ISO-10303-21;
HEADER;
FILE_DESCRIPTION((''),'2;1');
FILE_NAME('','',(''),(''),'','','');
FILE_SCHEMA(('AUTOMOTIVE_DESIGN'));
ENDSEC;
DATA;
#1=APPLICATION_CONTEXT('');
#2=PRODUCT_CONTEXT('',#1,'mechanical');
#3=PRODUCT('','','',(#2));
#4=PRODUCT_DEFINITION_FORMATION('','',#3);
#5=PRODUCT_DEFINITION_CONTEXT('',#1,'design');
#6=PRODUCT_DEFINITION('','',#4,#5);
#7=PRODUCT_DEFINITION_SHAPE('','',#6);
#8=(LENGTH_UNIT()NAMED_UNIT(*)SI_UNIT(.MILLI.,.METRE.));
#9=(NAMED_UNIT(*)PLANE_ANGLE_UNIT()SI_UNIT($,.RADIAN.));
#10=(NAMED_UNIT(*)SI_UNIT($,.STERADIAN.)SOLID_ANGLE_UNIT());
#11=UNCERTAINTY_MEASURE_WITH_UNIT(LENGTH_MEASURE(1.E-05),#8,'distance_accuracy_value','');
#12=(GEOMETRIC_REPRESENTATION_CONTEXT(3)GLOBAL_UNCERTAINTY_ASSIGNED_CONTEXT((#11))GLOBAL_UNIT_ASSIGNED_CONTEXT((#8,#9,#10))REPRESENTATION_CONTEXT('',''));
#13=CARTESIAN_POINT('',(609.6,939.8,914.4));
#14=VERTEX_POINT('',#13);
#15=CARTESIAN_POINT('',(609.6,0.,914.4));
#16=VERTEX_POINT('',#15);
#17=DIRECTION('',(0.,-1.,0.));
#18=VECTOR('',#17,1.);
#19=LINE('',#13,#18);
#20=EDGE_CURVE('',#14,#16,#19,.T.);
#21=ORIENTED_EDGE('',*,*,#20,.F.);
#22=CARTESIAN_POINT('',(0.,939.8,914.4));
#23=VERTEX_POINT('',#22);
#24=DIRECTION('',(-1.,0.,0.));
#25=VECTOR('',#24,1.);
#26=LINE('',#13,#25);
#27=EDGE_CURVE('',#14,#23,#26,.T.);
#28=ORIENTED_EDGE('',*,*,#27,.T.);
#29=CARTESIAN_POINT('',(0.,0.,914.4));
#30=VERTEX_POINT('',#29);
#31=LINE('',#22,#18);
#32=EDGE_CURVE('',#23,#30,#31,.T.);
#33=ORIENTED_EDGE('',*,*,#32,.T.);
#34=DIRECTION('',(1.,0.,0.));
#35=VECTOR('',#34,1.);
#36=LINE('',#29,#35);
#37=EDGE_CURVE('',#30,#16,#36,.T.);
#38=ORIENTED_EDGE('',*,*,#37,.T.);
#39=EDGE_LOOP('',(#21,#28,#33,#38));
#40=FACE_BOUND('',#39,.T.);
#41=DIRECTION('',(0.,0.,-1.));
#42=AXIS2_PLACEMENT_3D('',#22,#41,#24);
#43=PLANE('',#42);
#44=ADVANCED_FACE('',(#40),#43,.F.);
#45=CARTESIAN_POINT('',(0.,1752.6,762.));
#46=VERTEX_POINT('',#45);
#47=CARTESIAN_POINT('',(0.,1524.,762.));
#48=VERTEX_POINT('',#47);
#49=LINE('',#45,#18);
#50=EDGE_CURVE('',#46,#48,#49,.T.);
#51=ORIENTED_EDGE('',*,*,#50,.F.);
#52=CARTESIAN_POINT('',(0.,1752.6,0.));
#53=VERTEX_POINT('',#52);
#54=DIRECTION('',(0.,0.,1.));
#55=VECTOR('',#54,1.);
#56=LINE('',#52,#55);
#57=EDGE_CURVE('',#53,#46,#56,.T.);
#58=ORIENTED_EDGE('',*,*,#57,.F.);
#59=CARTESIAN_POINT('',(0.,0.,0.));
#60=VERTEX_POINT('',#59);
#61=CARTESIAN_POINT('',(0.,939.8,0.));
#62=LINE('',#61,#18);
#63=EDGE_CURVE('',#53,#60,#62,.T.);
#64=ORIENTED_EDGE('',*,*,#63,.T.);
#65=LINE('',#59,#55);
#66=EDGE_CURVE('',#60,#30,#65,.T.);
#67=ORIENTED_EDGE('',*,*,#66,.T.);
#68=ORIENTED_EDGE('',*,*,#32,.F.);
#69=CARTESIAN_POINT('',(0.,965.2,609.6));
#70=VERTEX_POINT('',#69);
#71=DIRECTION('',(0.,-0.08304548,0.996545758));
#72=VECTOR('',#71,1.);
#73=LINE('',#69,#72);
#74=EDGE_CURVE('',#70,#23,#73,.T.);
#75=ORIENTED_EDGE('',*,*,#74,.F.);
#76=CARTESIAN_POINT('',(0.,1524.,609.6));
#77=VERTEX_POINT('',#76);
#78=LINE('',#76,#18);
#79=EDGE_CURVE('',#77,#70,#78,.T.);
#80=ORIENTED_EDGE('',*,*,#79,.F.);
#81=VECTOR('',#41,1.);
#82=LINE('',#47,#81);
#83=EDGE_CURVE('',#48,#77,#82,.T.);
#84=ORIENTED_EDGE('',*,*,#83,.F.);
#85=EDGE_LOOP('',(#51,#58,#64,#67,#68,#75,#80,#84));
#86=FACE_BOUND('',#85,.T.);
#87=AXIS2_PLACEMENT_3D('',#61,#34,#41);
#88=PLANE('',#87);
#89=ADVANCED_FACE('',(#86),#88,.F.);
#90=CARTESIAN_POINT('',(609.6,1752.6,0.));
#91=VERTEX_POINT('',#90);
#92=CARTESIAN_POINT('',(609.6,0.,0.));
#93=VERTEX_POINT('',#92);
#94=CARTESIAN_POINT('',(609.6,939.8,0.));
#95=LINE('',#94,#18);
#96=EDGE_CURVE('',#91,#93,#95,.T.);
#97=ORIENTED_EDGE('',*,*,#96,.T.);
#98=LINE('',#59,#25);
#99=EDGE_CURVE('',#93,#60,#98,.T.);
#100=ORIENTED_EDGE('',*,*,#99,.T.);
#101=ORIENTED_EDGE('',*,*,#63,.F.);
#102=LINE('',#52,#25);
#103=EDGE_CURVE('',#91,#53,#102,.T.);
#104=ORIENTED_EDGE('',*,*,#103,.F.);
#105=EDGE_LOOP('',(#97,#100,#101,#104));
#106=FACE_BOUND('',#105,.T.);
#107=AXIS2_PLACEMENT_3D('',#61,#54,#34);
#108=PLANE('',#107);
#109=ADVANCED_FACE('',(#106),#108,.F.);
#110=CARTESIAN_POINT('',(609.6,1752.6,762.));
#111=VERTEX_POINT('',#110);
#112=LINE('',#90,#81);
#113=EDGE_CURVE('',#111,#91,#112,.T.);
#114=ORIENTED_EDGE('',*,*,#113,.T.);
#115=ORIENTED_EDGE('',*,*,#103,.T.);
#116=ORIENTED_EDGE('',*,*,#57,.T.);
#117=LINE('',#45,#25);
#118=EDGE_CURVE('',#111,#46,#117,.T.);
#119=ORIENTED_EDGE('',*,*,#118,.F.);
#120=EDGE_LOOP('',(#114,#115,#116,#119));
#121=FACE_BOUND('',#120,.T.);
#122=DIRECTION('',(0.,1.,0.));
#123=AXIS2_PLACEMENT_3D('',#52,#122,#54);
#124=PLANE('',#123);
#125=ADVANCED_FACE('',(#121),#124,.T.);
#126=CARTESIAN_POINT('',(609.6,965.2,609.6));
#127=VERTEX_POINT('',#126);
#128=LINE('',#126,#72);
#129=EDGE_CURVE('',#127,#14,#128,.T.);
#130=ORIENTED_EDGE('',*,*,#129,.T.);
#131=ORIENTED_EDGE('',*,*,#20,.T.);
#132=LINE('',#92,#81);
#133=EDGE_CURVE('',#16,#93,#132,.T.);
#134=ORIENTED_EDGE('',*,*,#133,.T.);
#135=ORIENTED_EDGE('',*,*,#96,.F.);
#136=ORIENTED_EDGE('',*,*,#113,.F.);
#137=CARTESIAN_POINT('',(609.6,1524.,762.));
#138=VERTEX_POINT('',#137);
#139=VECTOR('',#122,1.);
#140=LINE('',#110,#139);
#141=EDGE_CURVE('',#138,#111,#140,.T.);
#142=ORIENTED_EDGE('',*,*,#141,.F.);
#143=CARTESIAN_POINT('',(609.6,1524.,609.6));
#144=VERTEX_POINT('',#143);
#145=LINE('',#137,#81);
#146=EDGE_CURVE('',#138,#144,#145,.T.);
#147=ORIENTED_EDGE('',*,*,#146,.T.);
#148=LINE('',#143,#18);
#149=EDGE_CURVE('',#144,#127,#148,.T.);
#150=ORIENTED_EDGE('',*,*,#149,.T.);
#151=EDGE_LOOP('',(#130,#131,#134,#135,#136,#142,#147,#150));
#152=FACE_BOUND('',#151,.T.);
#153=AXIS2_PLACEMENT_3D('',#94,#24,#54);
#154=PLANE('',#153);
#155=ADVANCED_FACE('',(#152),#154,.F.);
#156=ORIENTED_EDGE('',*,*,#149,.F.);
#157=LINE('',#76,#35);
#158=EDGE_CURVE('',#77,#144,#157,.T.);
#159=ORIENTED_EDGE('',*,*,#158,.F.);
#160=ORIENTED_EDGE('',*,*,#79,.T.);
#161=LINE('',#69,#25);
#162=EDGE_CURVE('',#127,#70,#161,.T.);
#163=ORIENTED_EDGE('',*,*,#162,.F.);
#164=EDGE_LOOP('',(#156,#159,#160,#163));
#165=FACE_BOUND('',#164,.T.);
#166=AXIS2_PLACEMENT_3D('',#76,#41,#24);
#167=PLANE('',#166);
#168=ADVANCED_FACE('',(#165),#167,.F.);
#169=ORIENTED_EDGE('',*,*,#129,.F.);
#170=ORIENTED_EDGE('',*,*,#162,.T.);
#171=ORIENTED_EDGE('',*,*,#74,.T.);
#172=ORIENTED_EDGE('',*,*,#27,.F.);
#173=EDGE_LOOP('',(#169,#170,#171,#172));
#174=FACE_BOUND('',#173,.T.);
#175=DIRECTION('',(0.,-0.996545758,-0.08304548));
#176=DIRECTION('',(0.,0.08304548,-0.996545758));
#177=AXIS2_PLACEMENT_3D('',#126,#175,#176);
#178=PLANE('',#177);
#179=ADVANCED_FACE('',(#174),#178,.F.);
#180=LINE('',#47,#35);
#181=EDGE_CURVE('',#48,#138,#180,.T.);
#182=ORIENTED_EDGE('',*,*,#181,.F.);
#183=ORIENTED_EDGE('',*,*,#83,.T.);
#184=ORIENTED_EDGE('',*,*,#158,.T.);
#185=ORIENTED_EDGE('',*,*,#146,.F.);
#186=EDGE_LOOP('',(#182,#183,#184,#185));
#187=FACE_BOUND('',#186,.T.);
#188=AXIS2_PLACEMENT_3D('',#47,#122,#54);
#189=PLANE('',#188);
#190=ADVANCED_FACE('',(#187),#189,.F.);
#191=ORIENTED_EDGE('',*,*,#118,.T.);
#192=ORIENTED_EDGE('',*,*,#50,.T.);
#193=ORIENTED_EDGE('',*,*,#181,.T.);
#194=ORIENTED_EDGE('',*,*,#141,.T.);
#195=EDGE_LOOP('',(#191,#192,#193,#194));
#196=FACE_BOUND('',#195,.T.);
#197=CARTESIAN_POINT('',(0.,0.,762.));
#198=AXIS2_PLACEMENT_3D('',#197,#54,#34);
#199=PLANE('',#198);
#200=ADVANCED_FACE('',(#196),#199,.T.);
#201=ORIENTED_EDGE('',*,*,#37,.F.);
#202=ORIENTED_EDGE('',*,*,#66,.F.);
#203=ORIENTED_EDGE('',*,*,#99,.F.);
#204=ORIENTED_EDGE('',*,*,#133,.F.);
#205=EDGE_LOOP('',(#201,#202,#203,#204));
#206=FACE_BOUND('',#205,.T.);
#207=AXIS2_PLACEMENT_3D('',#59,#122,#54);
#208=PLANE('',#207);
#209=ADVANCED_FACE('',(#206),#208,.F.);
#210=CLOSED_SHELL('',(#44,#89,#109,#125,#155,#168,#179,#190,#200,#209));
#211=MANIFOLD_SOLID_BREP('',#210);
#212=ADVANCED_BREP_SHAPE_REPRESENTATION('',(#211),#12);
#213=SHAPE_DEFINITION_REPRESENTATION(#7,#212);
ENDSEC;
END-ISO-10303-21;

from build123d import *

# Parameters (mm, degrees)
SKETCH1_W           = 609.6
SKETCH1_H           = 914.4
BOSS_EXTRUDE1_DEPTH = 939.8
SKETCH2_W           = 609.6
SKETCH2_H           = 304.8
BOSS_EXTRUDE2_DEPTH = 25.4
CUT_EXTRUDE1_DEPTH  = 610.6
SKETCH4_W           = 609.6
SKETCH4_H           = 609.6
BOSS_EXTRUDE3_DEPTH = 25.4
SKETCH5_W           = 609.6
SKETCH5_H           = 609.6
BOSS_EXTRUDE4_DEPTH = 558.8
SKETCH6_W           = 609.6
SKETCH6_H           = 609.6
BOSS_EXTRUDE5_DEPTH = 228.6
SKETCH7_W           = 609.6
SKETCH7_H           = 228.6
BOSS_EXTRUDE6_DEPTH = 152.4


with BuildPart() as part:
    # Sketch1 → Boss-Extrude1 (new body)
    with BuildSketch(Plane(origin=(0, 0, 0), x_dir=(1, 0, 0), z_dir=(0, 1, 0))):
        with Locations((304.8, -457.2)):
            Rectangle(SKETCH1_W, SKETCH1_H)
    extrude(amount=BOSS_EXTRUDE1_DEPTH)

    # Sketch2 → Boss-Extrude2 (add)
    with BuildSketch(Plane(origin=(0, 939.8, 0), x_dir=(1, 0, 0), z_dir=(0, 1, 0))):
        with Locations((304.8, -762)):
            Rectangle(SKETCH2_W, SKETCH2_H)
    extrude(amount=BOSS_EXTRUDE2_DEPTH)

    # Sketch3 → Cut-Extrude1 (cut, through all)
    with BuildSketch(Plane.ZY):
        Polygon((609.6, 965.2), (914.4, 939.8), (914.4, 965.2), align=None)
    extrude(amount=-CUT_EXTRUDE1_DEPTH, mode=Mode.SUBTRACT)

    # Sketch4 → Boss-Extrude3 (add)
    with BuildSketch(Plane(origin=(0, 939.8, 0), x_dir=(1, 0, 0), z_dir=(0, 1, 0))):
        with Locations((304.8, -304.8)):
            Rectangle(SKETCH4_W, SKETCH4_H)
    extrude(amount=BOSS_EXTRUDE3_DEPTH)

    # Sketch5 → Boss-Extrude4 (add)
    with BuildSketch(Plane(origin=(0, 965.2, 0), x_dir=(1, 0, 0), z_dir=(0, 1, 0))):
        with Locations((304.8, -304.8)):
            Rectangle(SKETCH5_W, SKETCH5_H)
    extrude(amount=BOSS_EXTRUDE4_DEPTH)

    # Sketch6 → Boss-Extrude5 (add)
    with BuildSketch(Plane(origin=(0, 1524, 0), x_dir=(1, 0, 0), z_dir=(0, 1, 0))):
        with Locations((304.8, -304.8)):
            Rectangle(SKETCH6_W, SKETCH6_H)
    extrude(amount=BOSS_EXTRUDE5_DEPTH)

    # Sketch7 → Boss-Extrude6 (add)
    with BuildSketch(Plane.XY.offset(609.6)):
        with Locations((304.8, 1638.3)):
            Rectangle(SKETCH7_W, SKETCH7_H)
    extrude(amount=BOSS_EXTRUDE6_DEPTH)


solid = part.part
